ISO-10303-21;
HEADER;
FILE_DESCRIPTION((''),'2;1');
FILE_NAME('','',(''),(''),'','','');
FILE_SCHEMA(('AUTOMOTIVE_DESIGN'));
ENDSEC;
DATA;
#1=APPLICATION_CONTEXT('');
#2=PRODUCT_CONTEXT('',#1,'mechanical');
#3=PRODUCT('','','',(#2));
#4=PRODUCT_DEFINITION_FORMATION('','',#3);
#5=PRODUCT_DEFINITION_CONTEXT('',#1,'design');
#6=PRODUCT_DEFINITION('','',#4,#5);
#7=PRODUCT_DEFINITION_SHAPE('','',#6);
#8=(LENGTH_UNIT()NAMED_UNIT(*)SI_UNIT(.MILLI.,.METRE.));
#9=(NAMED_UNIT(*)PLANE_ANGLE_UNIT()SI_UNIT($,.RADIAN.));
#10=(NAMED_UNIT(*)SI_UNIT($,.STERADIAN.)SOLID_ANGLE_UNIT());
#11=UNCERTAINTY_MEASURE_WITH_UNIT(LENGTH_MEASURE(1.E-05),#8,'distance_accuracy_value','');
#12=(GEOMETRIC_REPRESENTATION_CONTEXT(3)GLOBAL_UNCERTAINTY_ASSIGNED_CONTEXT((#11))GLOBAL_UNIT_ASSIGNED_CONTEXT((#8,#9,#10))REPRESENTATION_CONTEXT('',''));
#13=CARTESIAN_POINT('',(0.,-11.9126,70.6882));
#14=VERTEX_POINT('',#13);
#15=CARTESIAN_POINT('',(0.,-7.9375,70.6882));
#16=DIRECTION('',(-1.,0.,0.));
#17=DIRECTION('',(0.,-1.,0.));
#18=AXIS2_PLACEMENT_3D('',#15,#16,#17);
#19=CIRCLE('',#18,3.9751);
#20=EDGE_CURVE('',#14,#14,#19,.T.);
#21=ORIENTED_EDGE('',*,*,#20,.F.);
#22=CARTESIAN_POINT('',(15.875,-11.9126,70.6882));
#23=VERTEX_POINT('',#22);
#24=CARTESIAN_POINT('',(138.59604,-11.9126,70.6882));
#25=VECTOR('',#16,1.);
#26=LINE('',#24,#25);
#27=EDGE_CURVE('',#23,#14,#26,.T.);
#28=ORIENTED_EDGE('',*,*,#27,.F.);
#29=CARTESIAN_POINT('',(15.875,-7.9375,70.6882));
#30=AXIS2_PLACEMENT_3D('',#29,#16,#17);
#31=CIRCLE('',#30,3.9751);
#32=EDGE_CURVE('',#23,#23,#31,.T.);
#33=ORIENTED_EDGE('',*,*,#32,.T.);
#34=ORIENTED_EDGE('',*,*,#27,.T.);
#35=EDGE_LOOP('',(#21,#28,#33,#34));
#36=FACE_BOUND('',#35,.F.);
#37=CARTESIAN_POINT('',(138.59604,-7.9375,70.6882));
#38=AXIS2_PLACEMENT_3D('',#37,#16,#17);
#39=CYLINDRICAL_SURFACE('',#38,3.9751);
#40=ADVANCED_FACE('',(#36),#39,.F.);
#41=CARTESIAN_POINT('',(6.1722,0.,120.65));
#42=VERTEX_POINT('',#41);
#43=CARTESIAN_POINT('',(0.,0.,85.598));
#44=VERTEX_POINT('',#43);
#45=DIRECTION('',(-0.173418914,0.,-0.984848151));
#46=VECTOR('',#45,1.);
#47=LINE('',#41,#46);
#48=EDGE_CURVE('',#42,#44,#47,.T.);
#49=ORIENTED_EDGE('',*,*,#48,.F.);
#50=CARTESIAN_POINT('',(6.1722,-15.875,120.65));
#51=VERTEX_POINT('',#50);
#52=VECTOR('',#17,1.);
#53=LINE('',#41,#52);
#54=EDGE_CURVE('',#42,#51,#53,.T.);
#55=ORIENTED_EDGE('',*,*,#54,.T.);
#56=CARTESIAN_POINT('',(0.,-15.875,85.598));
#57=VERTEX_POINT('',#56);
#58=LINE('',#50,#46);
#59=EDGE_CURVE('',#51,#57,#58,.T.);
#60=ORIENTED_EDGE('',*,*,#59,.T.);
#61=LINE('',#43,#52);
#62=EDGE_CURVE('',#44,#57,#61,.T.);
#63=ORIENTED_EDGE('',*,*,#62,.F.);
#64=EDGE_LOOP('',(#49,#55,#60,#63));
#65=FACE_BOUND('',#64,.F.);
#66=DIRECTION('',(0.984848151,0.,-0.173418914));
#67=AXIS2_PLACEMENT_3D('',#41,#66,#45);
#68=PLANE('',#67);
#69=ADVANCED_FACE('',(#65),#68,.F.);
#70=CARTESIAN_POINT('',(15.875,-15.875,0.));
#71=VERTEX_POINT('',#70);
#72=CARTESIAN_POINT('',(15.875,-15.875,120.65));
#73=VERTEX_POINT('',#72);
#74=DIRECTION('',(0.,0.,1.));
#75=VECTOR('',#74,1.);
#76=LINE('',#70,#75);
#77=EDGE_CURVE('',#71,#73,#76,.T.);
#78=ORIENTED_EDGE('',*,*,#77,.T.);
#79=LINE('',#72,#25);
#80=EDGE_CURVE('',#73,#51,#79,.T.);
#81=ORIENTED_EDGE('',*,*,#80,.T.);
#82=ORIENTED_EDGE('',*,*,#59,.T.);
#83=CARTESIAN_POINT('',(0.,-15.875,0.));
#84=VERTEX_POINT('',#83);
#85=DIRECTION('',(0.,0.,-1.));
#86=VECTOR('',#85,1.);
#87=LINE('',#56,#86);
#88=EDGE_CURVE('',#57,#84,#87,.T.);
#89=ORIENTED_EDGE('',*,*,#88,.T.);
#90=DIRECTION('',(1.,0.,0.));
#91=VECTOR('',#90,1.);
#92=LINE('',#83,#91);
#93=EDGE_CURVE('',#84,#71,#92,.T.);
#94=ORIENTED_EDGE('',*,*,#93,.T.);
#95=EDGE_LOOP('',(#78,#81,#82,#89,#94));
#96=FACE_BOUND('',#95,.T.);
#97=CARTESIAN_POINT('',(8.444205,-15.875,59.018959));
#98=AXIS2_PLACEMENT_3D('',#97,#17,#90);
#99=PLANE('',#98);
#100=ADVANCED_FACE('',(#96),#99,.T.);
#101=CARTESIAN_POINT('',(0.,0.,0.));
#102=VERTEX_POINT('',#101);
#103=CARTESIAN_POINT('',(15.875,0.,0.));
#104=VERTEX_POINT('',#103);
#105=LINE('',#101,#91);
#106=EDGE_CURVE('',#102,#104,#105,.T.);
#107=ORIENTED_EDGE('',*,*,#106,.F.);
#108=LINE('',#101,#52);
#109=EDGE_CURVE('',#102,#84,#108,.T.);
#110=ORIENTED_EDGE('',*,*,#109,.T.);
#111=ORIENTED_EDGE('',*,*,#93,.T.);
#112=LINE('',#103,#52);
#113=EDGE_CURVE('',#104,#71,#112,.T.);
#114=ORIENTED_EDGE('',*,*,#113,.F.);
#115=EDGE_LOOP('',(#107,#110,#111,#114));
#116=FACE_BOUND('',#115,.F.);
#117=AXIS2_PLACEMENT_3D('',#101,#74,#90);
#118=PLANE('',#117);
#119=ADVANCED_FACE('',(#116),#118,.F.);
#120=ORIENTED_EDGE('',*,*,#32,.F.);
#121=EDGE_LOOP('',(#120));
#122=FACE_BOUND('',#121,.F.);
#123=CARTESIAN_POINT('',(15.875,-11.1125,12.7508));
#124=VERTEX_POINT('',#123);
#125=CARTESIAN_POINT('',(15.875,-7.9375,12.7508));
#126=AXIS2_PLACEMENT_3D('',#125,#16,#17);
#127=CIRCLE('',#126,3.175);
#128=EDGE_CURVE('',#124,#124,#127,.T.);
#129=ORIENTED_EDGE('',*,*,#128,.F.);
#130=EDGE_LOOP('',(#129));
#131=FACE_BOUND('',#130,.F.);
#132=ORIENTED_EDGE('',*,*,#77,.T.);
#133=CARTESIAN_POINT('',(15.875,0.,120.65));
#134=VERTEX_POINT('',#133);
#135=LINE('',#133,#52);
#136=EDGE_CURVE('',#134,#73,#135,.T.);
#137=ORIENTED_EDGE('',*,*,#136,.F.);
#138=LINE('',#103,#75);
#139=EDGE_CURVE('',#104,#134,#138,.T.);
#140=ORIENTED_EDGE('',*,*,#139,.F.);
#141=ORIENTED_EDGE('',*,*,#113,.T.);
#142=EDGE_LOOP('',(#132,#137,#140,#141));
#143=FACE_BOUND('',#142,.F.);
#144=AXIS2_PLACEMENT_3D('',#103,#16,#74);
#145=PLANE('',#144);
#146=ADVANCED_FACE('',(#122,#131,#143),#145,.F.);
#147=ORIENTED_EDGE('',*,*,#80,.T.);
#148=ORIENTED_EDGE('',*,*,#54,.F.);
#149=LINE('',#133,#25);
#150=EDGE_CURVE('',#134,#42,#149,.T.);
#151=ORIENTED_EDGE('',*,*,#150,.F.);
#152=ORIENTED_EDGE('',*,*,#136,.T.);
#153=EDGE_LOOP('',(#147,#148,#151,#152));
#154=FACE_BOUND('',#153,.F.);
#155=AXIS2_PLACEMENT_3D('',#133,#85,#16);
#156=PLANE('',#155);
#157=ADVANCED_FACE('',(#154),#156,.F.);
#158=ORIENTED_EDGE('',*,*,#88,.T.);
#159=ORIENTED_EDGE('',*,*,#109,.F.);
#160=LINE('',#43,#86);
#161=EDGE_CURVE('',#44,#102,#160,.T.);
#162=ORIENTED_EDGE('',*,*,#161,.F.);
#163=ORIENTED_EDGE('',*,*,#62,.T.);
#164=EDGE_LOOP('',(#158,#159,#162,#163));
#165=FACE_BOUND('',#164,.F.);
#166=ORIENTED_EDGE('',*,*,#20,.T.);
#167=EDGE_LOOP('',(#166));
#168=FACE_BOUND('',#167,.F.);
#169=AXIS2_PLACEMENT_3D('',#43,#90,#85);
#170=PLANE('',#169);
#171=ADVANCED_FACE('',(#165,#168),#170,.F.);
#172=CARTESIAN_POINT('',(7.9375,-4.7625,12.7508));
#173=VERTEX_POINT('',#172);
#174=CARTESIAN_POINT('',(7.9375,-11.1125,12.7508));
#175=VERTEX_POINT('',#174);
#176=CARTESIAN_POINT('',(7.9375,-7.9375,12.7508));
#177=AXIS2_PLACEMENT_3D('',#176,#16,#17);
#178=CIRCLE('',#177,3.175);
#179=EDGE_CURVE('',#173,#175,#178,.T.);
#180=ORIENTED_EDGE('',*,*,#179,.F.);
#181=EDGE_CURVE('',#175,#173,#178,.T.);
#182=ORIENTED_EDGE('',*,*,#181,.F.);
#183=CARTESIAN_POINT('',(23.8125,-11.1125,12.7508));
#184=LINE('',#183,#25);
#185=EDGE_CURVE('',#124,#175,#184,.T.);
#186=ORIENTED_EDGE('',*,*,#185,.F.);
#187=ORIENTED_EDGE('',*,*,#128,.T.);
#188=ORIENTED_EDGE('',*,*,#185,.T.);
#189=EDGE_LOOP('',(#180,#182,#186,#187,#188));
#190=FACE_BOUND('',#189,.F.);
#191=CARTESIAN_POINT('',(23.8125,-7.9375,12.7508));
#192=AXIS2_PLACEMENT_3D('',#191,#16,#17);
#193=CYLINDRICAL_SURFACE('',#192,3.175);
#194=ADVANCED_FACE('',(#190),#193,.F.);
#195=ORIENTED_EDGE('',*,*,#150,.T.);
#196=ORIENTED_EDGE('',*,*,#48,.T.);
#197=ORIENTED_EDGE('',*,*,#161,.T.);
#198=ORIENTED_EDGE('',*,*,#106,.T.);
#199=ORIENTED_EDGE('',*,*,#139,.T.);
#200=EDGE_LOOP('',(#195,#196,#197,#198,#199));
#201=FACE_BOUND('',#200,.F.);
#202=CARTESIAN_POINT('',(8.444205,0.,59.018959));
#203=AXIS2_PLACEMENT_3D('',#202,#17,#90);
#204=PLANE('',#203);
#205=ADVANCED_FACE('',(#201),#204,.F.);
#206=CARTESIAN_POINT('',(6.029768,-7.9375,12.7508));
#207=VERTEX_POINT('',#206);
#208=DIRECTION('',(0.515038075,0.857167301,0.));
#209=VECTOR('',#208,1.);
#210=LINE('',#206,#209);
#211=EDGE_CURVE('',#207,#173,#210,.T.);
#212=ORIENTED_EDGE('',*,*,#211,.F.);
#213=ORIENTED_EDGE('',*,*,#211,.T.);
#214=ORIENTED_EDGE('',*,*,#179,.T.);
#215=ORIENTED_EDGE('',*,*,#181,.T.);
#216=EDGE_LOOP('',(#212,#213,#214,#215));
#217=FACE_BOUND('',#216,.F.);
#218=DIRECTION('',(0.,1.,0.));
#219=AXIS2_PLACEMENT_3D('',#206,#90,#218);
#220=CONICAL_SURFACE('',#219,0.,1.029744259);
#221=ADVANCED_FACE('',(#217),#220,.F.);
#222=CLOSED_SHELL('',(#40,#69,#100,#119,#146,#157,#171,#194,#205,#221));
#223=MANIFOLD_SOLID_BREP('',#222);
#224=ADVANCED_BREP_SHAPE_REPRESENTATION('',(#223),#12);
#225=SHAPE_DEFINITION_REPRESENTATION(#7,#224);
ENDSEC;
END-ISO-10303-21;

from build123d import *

# Parameters (mm, degrees)
F1_DEPTH = 15.875
F3_D     = 6.35
F3_DEPTH = 7.9375
F3_TIP   = 1.9077324654
F5_D     = 7.9502


with BuildPart() as f1:
    # F0 (on Front) → F1 (new body)
    with BuildSketch(Plane.XZ):
        Polygon((0, 85.598), (0, 0), (15.875, 0), (15.875, 120.65), (6.1722, 120.65), align=None)
    extrude(amount=F1_DEPTH)

    # F3
    with Locations(Plane.YZ.offset(15.875)):
        with Locations((-7.9375, 12.7508)):
            Hole(F3_D / 2, depth=F3_DEPTH)
            with Locations((0, 0, -(F3_DEPTH + F3_TIP / 2))):  # 118° drill point
                Cone(0, F3_D / 2, F3_TIP, mode=Mode.SUBTRACT)

    # F5 (through all)
    with Locations(Plane.YZ.offset(15.875)):
        with Locations((-7.9375, 70.6882)):
            Hole(F5_D / 2)


solid = f1.part
